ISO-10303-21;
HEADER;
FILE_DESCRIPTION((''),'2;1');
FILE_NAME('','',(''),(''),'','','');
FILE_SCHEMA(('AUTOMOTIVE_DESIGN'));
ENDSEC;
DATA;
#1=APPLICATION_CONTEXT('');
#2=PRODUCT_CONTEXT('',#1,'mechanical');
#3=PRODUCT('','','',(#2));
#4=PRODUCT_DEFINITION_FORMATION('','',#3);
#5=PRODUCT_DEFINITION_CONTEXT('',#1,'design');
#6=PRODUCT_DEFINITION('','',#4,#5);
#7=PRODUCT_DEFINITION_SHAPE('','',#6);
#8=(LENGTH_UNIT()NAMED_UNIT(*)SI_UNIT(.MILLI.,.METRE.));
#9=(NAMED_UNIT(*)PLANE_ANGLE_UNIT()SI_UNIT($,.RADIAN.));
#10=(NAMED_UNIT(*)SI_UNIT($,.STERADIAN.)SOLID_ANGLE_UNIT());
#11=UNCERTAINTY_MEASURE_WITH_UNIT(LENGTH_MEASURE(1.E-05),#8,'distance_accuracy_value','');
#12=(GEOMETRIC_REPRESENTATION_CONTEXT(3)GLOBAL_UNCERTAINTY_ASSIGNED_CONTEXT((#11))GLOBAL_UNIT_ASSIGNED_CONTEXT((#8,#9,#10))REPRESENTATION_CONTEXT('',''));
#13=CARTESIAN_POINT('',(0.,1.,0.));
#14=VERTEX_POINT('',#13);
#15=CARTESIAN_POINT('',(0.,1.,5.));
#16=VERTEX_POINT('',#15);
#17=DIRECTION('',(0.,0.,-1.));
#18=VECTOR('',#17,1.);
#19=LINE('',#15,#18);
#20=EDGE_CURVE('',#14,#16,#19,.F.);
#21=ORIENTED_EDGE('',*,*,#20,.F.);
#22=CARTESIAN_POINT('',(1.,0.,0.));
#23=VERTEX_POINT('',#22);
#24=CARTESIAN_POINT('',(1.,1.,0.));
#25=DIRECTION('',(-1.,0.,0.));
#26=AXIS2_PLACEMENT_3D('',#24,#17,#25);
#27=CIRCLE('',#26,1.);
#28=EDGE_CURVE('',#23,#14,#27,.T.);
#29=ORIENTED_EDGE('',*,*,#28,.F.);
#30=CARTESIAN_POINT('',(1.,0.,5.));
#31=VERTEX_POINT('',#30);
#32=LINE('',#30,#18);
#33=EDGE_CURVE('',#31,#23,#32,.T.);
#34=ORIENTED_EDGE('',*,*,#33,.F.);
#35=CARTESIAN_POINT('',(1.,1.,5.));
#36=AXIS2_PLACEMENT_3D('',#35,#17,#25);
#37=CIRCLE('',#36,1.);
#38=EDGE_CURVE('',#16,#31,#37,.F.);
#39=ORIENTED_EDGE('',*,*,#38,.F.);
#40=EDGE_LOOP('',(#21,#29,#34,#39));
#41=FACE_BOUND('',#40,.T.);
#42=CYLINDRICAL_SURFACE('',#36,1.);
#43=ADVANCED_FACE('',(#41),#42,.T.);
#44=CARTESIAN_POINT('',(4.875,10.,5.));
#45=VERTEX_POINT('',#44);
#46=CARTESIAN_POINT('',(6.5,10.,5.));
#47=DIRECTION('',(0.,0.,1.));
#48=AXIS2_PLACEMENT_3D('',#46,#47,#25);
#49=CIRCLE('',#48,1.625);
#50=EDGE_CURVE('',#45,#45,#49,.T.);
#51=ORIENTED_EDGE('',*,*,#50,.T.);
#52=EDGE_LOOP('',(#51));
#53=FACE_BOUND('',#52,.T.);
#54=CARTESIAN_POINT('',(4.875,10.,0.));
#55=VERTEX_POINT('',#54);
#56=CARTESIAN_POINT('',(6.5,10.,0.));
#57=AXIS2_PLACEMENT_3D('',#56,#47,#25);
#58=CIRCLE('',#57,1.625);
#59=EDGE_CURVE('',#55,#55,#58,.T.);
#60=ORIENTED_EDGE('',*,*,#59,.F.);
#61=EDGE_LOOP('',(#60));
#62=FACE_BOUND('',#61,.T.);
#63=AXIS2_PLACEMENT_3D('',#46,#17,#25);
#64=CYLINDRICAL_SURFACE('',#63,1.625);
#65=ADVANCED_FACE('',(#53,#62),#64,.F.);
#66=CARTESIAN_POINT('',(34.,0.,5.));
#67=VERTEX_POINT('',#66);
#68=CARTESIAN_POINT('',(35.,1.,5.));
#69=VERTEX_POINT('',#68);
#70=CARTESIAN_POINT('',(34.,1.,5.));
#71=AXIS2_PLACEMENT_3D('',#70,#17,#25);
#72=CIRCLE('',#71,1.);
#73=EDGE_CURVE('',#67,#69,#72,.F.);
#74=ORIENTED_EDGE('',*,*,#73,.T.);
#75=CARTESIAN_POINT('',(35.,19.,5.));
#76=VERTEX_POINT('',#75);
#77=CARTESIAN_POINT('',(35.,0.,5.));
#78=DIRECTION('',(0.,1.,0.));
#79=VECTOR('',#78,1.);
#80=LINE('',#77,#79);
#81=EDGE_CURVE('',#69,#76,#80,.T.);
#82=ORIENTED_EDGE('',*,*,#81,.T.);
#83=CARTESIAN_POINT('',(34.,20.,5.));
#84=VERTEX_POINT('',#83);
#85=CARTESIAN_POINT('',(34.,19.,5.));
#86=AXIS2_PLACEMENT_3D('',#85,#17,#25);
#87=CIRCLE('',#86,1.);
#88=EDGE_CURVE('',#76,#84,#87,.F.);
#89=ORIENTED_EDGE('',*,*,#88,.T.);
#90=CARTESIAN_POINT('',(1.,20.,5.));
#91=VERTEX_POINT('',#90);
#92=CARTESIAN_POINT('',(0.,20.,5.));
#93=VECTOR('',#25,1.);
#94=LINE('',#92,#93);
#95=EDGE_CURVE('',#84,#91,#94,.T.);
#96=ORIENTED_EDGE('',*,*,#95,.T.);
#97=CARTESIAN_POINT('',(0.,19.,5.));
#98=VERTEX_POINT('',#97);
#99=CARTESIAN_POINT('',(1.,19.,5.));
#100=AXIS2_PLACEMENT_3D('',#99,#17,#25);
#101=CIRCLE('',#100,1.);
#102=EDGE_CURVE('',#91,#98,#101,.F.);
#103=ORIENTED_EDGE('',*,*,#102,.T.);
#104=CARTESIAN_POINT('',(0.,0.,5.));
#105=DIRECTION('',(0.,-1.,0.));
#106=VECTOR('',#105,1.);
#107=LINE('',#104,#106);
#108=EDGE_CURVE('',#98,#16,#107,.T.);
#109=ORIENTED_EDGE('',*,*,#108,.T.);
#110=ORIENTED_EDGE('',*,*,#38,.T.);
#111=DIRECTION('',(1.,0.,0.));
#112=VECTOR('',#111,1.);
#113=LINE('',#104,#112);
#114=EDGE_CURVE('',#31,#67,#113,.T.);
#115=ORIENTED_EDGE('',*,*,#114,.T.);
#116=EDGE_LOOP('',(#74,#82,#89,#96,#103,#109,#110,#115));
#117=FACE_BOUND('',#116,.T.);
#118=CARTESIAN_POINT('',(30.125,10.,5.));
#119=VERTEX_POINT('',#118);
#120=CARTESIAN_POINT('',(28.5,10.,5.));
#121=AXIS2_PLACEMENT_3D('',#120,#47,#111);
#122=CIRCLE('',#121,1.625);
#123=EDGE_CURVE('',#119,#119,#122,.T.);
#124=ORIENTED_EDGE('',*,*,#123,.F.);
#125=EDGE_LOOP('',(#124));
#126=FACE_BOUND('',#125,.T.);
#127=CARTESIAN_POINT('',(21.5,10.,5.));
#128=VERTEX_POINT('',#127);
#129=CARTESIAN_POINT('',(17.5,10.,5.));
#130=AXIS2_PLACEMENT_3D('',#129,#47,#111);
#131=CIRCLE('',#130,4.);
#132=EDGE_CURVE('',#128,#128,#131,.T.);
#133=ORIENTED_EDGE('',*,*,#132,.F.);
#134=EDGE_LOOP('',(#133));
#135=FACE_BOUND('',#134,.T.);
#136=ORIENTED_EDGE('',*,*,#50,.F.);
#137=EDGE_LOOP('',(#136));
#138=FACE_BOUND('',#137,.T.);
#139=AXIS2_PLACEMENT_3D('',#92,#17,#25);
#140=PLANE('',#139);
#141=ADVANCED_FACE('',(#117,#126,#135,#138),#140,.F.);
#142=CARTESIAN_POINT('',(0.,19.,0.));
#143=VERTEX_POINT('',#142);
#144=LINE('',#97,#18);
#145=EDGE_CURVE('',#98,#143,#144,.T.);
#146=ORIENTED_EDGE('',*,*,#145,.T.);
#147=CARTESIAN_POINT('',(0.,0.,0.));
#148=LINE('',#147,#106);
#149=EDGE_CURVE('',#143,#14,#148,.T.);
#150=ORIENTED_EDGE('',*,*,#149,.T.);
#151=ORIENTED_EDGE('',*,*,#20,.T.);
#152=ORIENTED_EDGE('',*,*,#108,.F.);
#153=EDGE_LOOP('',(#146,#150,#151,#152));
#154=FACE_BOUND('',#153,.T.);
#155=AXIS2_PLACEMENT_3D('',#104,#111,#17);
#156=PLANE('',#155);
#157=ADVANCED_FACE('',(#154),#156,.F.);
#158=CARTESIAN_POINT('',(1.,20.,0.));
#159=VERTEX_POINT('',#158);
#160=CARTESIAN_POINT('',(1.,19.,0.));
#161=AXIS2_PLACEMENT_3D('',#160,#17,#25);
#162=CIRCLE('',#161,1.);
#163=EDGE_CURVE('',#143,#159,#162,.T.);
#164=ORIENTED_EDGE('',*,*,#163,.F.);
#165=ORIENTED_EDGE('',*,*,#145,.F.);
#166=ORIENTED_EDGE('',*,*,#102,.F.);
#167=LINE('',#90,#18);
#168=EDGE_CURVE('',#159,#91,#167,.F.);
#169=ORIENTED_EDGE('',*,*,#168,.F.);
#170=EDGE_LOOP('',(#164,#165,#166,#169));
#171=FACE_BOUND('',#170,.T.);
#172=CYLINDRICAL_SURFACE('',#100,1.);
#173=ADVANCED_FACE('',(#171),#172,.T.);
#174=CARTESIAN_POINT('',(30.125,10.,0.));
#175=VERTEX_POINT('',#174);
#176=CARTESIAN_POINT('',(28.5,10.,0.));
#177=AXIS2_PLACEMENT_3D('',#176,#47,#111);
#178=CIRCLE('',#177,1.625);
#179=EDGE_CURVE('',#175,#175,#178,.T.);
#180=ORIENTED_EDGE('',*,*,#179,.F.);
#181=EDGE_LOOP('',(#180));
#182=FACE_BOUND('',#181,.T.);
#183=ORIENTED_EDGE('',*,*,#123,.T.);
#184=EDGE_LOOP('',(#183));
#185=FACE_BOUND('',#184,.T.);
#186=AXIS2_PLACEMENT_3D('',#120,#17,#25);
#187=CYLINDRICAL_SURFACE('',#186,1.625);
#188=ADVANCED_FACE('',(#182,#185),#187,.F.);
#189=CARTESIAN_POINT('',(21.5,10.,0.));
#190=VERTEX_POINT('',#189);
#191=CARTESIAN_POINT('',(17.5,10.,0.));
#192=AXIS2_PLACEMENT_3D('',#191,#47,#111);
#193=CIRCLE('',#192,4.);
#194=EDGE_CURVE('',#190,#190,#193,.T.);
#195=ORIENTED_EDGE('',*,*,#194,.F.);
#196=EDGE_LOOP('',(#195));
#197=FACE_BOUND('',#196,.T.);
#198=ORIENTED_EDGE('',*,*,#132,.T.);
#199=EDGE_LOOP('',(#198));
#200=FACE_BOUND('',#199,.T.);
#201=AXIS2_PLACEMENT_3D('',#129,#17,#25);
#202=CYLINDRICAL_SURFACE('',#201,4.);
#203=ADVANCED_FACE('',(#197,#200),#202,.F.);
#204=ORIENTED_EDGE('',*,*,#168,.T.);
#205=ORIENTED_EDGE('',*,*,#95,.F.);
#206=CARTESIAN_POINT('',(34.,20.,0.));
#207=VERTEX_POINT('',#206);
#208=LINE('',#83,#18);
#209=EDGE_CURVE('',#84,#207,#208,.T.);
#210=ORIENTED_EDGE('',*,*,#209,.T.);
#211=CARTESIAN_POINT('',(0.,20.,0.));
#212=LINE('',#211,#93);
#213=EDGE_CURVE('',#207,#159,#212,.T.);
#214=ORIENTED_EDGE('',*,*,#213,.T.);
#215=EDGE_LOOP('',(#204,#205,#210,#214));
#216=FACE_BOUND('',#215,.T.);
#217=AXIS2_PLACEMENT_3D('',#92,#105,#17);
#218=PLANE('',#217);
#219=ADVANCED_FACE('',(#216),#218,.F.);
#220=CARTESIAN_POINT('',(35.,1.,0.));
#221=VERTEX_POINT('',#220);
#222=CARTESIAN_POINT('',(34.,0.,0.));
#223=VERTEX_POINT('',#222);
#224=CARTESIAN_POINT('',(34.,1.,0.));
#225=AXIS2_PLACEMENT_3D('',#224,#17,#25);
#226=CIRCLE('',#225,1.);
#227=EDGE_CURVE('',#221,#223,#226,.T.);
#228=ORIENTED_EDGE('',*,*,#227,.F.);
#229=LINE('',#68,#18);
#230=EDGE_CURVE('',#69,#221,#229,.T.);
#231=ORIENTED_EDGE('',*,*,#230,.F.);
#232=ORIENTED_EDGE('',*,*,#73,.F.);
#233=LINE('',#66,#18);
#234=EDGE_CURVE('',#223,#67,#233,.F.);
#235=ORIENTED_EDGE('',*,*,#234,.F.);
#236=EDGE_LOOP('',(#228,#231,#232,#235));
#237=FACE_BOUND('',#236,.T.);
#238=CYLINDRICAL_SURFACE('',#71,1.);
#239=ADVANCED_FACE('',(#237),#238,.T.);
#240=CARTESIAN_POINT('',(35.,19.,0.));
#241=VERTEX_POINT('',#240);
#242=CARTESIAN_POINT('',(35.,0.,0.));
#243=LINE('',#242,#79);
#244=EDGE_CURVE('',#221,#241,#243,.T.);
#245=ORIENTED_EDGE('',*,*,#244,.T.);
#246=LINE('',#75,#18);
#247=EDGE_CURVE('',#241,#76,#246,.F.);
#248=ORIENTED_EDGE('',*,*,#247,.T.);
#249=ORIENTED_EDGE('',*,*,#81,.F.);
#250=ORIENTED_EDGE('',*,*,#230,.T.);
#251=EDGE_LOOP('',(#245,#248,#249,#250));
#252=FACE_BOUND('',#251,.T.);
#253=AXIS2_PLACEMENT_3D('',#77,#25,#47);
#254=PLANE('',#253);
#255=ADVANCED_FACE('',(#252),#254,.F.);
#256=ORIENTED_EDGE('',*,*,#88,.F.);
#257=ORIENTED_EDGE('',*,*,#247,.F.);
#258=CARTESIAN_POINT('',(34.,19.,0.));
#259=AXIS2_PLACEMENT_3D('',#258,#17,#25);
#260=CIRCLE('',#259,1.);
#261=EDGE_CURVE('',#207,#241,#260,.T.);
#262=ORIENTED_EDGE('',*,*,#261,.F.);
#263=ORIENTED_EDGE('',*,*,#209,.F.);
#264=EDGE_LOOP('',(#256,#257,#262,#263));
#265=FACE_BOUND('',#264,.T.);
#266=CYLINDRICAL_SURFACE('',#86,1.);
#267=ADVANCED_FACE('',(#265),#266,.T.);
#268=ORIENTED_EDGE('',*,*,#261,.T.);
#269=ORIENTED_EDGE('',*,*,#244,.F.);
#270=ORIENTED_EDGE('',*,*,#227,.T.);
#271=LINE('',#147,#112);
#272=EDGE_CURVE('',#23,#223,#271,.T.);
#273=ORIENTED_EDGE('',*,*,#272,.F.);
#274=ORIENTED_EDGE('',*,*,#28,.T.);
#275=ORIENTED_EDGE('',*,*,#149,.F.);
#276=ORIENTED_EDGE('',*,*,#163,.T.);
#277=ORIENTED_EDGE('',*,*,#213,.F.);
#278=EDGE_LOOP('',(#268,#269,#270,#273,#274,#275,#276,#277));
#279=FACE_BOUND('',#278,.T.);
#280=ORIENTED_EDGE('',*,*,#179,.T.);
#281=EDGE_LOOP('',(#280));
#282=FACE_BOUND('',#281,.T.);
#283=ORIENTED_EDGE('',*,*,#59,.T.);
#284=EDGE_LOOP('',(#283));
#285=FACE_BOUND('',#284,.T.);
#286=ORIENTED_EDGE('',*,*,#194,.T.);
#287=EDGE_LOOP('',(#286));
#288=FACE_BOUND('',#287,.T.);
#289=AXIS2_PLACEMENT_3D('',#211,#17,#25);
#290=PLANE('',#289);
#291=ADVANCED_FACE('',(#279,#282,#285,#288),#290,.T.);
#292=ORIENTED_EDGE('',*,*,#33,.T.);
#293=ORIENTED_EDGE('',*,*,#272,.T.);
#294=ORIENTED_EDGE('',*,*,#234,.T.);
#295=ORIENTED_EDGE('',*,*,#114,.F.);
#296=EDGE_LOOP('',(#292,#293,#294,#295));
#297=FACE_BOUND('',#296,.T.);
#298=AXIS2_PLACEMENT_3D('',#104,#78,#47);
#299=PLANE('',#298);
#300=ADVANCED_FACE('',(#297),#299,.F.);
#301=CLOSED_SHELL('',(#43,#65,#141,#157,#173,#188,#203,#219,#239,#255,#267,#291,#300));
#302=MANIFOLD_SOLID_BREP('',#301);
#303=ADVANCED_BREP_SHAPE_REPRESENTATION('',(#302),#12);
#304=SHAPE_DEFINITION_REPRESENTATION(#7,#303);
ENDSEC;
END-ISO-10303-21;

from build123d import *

# Parameters (mm, degrees)
SKETCH1_W           = 35
SKETCH1_H           = 20
SKETCH1_R           = 4
SKETCH1_R_2         = 1.625
BOSS_EXTRUDE1_DEPTH = 5
FILLET1_R           = 1


with BuildPart() as part:
    # Sketch1 → Boss-Extrude1 (new body)
    with BuildSketch(Plane.XY):
        with Locations((17.5, 10)):
            Rectangle(SKETCH1_W, SKETCH1_H)
        with Locations((17.5, 10)):
            Circle(SKETCH1_R, mode=Mode.SUBTRACT)
        with Locations((28.5, 10)):
            Circle(SKETCH1_R_2, mode=Mode.SUBTRACT)
        with Locations((6.5, 10)):
            Circle(SKETCH1_R_2, mode=Mode.SUBTRACT)
    extrude(amount=BOSS_EXTRUDE1_DEPTH)

    # Fillet1
    fillet1_edges = [part.edges().sort_by_distance(p)[0] for p in [
        (0, 20, 2.5),
        (35, 20, 2.5),
        (35, 0, 2.5),
        (0, 0, 2.5),
    ]]
    fillet(fillet1_edges, radius=FILLET1_R)


solid = part.part
